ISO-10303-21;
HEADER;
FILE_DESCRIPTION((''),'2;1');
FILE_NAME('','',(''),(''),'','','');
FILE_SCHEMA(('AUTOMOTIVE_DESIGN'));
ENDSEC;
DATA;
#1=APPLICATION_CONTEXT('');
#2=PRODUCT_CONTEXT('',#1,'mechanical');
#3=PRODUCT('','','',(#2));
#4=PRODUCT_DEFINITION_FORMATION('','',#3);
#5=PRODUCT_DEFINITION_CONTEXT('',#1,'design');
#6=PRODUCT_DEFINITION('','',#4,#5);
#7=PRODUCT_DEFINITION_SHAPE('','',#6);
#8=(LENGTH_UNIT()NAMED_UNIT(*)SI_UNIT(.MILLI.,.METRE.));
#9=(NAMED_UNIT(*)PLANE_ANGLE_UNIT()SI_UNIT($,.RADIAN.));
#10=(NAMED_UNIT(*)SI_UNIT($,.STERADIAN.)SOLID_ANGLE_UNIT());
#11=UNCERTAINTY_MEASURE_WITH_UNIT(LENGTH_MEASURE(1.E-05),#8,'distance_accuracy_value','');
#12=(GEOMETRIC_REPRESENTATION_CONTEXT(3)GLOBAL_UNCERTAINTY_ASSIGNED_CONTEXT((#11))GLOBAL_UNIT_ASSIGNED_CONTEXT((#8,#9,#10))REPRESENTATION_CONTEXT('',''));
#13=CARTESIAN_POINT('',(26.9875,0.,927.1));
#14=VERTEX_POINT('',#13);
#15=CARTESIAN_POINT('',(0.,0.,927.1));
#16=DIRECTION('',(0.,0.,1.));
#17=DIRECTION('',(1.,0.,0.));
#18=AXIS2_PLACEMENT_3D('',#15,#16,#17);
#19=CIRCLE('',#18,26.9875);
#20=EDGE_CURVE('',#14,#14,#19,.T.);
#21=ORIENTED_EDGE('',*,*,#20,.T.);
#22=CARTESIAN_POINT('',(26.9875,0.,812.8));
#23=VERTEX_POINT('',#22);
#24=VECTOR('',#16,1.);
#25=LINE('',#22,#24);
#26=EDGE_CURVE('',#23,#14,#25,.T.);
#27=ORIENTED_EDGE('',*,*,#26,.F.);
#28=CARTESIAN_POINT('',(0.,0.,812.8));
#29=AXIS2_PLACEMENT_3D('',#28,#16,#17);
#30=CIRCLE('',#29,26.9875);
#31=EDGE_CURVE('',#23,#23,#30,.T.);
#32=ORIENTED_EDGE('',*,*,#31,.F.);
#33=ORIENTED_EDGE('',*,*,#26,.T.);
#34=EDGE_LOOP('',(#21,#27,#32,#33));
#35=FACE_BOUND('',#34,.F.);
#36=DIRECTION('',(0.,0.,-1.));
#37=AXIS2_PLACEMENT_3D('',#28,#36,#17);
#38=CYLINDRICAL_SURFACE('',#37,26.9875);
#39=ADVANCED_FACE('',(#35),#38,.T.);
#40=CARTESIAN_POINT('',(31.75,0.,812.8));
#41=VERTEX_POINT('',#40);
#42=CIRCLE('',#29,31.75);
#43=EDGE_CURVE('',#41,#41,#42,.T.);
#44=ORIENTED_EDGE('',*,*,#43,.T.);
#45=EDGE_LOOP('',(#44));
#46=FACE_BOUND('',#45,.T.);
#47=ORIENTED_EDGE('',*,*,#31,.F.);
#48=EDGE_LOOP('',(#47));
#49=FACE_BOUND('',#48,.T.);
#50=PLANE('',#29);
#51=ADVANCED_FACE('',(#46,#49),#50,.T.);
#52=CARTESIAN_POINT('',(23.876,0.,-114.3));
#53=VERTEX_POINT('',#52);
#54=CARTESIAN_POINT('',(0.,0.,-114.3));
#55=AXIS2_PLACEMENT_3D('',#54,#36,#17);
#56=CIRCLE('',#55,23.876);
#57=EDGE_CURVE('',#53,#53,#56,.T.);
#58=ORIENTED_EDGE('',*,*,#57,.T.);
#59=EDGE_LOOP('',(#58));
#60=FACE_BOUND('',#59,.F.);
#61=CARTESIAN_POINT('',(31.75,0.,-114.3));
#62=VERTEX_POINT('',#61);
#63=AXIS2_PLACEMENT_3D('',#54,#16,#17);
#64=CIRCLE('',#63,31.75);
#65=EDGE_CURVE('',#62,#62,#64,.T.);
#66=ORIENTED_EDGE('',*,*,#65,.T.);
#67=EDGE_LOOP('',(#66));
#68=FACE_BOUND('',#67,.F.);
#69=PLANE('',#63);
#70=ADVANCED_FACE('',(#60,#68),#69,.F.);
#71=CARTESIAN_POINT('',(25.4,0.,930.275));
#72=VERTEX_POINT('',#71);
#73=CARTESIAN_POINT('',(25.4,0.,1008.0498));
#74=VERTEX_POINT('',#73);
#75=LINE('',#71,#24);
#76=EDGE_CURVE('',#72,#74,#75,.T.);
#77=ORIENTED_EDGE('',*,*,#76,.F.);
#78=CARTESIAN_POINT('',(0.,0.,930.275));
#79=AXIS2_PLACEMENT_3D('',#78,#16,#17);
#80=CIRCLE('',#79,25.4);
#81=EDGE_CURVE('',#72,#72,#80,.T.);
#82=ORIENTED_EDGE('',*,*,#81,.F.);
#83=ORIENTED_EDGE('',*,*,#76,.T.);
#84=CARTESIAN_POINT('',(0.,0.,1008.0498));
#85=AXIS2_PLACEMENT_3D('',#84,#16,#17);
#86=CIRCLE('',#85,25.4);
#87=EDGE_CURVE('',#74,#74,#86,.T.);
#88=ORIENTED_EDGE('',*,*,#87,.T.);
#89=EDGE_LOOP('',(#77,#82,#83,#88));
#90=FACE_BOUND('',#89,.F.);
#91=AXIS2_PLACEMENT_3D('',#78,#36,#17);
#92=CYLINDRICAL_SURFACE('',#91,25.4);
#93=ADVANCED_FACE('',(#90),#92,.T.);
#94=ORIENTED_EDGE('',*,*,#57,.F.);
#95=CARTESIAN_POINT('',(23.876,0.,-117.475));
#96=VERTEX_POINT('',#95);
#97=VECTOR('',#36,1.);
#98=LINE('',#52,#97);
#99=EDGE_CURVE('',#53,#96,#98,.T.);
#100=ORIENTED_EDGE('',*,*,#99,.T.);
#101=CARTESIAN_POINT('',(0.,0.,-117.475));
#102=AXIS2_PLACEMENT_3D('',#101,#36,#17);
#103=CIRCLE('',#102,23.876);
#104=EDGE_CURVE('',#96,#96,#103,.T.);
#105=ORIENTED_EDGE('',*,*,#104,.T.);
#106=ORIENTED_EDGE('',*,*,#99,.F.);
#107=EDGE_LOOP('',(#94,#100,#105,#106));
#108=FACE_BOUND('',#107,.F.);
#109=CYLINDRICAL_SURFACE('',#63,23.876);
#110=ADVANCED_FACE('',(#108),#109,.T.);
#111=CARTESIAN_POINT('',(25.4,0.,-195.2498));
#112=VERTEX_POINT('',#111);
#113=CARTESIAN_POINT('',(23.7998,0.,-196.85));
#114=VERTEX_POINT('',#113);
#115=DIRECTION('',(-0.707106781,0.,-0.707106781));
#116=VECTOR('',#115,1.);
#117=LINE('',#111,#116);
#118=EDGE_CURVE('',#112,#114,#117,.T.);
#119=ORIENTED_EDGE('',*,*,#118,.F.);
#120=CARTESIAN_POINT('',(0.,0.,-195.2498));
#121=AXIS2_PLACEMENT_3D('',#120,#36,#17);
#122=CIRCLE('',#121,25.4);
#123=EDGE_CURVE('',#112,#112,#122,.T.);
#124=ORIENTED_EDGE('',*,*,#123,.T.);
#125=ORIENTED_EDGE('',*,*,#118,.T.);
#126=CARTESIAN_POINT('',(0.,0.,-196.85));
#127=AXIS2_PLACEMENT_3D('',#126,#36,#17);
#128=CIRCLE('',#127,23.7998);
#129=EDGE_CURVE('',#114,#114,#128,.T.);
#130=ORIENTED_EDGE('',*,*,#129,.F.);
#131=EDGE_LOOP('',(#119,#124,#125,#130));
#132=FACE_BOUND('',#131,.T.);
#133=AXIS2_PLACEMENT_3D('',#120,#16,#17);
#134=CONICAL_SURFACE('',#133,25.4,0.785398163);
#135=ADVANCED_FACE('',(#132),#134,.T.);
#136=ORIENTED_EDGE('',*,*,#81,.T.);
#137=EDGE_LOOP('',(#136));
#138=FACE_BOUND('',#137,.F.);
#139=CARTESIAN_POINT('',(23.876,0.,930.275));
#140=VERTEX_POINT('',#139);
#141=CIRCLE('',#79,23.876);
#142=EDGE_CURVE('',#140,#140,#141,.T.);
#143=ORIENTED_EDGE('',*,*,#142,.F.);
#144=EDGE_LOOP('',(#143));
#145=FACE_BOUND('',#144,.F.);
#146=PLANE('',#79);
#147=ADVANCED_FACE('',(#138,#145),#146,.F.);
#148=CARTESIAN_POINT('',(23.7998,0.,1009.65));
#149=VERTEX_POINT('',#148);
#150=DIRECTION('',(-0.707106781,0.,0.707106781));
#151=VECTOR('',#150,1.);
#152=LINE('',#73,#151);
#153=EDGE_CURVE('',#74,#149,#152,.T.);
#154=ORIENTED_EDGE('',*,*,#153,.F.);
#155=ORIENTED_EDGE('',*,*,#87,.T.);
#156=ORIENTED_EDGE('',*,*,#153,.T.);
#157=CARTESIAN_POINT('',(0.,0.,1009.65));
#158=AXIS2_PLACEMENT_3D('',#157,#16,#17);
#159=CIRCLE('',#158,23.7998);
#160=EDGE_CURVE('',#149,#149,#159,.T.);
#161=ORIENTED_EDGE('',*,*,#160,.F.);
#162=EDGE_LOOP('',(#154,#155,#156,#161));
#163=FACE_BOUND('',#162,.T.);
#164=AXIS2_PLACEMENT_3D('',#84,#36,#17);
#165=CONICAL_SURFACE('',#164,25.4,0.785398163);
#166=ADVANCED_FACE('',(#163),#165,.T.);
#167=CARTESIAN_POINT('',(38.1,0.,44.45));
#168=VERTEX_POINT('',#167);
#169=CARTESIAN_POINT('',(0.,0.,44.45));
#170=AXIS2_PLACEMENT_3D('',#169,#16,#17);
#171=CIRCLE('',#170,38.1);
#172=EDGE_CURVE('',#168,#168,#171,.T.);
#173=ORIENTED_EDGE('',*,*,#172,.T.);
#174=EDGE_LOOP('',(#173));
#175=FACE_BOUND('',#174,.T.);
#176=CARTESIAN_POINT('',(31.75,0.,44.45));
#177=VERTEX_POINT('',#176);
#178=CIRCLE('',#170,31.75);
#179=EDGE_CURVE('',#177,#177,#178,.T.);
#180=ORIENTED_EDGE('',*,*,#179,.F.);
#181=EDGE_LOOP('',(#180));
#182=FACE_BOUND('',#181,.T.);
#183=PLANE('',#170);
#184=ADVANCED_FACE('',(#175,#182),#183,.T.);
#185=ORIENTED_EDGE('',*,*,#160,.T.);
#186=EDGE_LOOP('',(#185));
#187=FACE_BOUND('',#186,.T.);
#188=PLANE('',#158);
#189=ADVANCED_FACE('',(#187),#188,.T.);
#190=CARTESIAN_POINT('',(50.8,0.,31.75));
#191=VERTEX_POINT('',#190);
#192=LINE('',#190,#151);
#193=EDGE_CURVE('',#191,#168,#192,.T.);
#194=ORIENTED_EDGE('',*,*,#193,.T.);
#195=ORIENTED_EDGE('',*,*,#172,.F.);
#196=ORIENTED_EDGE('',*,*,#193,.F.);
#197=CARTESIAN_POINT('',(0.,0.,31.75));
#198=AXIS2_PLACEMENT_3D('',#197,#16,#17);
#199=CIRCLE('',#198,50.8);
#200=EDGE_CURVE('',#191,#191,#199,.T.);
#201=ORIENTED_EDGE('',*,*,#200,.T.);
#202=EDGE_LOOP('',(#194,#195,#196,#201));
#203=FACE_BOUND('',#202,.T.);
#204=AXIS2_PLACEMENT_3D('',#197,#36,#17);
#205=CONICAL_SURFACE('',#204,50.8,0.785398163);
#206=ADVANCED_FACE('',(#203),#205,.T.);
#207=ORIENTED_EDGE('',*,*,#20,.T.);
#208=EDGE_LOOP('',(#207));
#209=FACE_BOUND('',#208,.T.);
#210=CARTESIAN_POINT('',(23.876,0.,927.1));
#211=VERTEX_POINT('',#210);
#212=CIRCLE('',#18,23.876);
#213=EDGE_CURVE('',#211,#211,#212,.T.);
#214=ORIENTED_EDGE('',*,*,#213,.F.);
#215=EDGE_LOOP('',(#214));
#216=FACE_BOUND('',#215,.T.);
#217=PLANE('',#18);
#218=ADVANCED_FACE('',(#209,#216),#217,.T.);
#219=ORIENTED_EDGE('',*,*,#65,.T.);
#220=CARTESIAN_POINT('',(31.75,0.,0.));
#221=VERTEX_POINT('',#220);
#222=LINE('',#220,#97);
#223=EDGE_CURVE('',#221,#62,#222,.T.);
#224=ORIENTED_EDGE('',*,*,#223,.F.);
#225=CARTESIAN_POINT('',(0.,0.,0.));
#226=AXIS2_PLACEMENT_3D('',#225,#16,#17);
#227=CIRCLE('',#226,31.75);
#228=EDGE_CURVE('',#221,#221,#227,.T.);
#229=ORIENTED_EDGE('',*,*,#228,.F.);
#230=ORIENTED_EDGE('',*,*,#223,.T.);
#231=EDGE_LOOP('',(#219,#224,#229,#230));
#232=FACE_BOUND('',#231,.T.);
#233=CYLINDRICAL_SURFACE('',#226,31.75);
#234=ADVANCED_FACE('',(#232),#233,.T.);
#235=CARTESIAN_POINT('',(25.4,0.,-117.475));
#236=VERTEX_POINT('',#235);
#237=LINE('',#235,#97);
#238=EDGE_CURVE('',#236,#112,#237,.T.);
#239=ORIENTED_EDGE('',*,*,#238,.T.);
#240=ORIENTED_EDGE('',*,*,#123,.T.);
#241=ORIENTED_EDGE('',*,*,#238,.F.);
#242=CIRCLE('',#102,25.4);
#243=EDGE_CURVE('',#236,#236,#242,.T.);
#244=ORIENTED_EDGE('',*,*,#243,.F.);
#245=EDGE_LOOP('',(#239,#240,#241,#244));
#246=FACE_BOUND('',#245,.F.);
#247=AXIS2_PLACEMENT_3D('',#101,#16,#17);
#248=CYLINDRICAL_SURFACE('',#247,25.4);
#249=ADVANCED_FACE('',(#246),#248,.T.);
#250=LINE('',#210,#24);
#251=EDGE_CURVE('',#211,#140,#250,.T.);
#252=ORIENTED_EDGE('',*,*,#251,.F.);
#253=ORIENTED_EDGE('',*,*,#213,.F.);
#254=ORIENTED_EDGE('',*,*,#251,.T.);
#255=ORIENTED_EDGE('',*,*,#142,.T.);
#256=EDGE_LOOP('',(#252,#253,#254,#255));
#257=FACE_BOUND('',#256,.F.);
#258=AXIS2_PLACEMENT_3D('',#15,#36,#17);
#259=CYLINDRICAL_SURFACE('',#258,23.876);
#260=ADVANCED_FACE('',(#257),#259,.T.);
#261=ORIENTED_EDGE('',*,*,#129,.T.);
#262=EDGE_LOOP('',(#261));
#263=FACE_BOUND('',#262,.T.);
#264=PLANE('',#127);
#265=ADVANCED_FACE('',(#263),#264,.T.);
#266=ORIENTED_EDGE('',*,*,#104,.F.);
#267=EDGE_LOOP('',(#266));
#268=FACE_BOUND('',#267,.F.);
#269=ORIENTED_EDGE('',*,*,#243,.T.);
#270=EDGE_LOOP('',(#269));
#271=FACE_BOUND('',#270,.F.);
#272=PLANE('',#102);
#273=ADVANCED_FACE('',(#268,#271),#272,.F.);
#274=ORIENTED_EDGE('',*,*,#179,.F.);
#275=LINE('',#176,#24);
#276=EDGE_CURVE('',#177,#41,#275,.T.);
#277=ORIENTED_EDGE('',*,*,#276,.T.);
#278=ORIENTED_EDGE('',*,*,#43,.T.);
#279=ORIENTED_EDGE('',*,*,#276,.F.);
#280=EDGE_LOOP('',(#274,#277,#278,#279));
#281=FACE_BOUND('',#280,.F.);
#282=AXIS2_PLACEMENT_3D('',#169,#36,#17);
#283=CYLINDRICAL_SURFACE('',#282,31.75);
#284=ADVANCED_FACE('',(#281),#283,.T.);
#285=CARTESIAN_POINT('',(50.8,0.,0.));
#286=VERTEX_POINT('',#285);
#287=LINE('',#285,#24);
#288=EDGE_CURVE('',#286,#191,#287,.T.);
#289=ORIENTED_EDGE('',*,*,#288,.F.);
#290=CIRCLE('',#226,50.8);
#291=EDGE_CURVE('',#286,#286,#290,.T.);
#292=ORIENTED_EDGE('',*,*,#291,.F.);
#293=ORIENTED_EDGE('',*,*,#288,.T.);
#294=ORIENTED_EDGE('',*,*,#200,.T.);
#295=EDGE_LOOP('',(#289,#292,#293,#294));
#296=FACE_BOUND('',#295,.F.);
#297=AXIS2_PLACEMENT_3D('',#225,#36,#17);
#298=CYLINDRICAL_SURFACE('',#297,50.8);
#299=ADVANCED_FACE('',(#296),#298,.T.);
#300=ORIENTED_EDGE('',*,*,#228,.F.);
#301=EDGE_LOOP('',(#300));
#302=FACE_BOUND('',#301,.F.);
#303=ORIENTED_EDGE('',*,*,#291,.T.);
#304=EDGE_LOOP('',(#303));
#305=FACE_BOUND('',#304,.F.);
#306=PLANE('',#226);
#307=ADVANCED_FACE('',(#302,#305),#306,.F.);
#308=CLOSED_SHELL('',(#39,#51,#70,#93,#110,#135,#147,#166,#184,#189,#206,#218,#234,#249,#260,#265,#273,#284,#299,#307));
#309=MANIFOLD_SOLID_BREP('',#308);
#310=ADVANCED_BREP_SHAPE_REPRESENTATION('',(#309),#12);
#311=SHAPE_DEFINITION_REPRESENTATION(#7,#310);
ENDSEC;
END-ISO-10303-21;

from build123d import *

# Parameters (mm, degrees)
F0_R      = 31.75
F1_DEPTH  = 114.3
F2_R      = 23.876
F3_DEPTH  = 3.175
F4_R      = 25.4
F5_DEPTH  = 79.375
F6_SIZE   = 1.6002
F7_R      = 50.8
F8_DEPTH  = 44.45
F9_SIZE   = 12.7
F10_R     = 31.75
F11_DEPTH = 768.35
F12_R     = 26.9875
F13_DEPTH = 114.3
F14_R     = 23.876
F15_DEPTH = 3.175
F16_R     = 25.4
F17_DEPTH = 79.375
F18_SIZE  = 1.6002


with BuildPart() as f1:
    # F0 (on Top) → F1 (new body)
    with BuildSketch(Plane.XY):
        Circle(F0_R)
    extrude(amount=-F1_DEPTH)

    # F2 (on face) → F3 (join)
    with BuildSketch(Plane(origin=(0, 0, -114.3), x_dir=(1, 0, 0), z_dir=(0, 0, -1))):
        Circle(F2_R)
    extrude(amount=F3_DEPTH)

    # F4 (on face) → F5 (join)
    with BuildSketch(Plane(origin=(0, 0, -117.475), x_dir=(1, 0, 0), z_dir=(0, 0, -1))):
        Circle(F4_R)
    extrude(amount=F5_DEPTH)

    # F6
    f6_edges = [f1.edges().sort_by_distance(p)[0] for p in [
        (-25.4, 0, -196.85),
    ]]
    chamfer(f6_edges, length=F6_SIZE)

    # F7 (on face) → F8 (join)
    with BuildSketch(Plane.XY):
        Circle(F7_R)
    extrude(amount=F8_DEPTH)

    # F9
    f9_edges = [f1.edges().sort_by_distance(p)[0] for p in [
        (-50.8, 0, 44.45),
    ]]
    chamfer(f9_edges, length=F9_SIZE)

    # F10 (on face) → F11 (join)
    with BuildSketch(Plane.XY.offset(44.45)):
        Circle(F10_R)
    extrude(amount=F11_DEPTH)

    # F12 (on face) → F13 (join)
    with BuildSketch(Plane.XY.offset(812.8)):
        Circle(F12_R)
    extrude(amount=F13_DEPTH)

    # F14 (on face) → F15 (join)
    with BuildSketch(Plane.XY.offset(927.1)):
        Circle(F14_R)
    extrude(amount=F15_DEPTH)

    # F16 (on face) → F17 (join)
    with BuildSketch(Plane.XY.offset(930.275)):
        Circle(F16_R)
    extrude(amount=F17_DEPTH)

    # F18
    f18_edges = [f1.edges().sort_by_distance(p)[0] for p in [
        (-25.4, 0, 1009.65),
    ]]
    chamfer(f18_edges, length=F18_SIZE)


solid = f1.part
